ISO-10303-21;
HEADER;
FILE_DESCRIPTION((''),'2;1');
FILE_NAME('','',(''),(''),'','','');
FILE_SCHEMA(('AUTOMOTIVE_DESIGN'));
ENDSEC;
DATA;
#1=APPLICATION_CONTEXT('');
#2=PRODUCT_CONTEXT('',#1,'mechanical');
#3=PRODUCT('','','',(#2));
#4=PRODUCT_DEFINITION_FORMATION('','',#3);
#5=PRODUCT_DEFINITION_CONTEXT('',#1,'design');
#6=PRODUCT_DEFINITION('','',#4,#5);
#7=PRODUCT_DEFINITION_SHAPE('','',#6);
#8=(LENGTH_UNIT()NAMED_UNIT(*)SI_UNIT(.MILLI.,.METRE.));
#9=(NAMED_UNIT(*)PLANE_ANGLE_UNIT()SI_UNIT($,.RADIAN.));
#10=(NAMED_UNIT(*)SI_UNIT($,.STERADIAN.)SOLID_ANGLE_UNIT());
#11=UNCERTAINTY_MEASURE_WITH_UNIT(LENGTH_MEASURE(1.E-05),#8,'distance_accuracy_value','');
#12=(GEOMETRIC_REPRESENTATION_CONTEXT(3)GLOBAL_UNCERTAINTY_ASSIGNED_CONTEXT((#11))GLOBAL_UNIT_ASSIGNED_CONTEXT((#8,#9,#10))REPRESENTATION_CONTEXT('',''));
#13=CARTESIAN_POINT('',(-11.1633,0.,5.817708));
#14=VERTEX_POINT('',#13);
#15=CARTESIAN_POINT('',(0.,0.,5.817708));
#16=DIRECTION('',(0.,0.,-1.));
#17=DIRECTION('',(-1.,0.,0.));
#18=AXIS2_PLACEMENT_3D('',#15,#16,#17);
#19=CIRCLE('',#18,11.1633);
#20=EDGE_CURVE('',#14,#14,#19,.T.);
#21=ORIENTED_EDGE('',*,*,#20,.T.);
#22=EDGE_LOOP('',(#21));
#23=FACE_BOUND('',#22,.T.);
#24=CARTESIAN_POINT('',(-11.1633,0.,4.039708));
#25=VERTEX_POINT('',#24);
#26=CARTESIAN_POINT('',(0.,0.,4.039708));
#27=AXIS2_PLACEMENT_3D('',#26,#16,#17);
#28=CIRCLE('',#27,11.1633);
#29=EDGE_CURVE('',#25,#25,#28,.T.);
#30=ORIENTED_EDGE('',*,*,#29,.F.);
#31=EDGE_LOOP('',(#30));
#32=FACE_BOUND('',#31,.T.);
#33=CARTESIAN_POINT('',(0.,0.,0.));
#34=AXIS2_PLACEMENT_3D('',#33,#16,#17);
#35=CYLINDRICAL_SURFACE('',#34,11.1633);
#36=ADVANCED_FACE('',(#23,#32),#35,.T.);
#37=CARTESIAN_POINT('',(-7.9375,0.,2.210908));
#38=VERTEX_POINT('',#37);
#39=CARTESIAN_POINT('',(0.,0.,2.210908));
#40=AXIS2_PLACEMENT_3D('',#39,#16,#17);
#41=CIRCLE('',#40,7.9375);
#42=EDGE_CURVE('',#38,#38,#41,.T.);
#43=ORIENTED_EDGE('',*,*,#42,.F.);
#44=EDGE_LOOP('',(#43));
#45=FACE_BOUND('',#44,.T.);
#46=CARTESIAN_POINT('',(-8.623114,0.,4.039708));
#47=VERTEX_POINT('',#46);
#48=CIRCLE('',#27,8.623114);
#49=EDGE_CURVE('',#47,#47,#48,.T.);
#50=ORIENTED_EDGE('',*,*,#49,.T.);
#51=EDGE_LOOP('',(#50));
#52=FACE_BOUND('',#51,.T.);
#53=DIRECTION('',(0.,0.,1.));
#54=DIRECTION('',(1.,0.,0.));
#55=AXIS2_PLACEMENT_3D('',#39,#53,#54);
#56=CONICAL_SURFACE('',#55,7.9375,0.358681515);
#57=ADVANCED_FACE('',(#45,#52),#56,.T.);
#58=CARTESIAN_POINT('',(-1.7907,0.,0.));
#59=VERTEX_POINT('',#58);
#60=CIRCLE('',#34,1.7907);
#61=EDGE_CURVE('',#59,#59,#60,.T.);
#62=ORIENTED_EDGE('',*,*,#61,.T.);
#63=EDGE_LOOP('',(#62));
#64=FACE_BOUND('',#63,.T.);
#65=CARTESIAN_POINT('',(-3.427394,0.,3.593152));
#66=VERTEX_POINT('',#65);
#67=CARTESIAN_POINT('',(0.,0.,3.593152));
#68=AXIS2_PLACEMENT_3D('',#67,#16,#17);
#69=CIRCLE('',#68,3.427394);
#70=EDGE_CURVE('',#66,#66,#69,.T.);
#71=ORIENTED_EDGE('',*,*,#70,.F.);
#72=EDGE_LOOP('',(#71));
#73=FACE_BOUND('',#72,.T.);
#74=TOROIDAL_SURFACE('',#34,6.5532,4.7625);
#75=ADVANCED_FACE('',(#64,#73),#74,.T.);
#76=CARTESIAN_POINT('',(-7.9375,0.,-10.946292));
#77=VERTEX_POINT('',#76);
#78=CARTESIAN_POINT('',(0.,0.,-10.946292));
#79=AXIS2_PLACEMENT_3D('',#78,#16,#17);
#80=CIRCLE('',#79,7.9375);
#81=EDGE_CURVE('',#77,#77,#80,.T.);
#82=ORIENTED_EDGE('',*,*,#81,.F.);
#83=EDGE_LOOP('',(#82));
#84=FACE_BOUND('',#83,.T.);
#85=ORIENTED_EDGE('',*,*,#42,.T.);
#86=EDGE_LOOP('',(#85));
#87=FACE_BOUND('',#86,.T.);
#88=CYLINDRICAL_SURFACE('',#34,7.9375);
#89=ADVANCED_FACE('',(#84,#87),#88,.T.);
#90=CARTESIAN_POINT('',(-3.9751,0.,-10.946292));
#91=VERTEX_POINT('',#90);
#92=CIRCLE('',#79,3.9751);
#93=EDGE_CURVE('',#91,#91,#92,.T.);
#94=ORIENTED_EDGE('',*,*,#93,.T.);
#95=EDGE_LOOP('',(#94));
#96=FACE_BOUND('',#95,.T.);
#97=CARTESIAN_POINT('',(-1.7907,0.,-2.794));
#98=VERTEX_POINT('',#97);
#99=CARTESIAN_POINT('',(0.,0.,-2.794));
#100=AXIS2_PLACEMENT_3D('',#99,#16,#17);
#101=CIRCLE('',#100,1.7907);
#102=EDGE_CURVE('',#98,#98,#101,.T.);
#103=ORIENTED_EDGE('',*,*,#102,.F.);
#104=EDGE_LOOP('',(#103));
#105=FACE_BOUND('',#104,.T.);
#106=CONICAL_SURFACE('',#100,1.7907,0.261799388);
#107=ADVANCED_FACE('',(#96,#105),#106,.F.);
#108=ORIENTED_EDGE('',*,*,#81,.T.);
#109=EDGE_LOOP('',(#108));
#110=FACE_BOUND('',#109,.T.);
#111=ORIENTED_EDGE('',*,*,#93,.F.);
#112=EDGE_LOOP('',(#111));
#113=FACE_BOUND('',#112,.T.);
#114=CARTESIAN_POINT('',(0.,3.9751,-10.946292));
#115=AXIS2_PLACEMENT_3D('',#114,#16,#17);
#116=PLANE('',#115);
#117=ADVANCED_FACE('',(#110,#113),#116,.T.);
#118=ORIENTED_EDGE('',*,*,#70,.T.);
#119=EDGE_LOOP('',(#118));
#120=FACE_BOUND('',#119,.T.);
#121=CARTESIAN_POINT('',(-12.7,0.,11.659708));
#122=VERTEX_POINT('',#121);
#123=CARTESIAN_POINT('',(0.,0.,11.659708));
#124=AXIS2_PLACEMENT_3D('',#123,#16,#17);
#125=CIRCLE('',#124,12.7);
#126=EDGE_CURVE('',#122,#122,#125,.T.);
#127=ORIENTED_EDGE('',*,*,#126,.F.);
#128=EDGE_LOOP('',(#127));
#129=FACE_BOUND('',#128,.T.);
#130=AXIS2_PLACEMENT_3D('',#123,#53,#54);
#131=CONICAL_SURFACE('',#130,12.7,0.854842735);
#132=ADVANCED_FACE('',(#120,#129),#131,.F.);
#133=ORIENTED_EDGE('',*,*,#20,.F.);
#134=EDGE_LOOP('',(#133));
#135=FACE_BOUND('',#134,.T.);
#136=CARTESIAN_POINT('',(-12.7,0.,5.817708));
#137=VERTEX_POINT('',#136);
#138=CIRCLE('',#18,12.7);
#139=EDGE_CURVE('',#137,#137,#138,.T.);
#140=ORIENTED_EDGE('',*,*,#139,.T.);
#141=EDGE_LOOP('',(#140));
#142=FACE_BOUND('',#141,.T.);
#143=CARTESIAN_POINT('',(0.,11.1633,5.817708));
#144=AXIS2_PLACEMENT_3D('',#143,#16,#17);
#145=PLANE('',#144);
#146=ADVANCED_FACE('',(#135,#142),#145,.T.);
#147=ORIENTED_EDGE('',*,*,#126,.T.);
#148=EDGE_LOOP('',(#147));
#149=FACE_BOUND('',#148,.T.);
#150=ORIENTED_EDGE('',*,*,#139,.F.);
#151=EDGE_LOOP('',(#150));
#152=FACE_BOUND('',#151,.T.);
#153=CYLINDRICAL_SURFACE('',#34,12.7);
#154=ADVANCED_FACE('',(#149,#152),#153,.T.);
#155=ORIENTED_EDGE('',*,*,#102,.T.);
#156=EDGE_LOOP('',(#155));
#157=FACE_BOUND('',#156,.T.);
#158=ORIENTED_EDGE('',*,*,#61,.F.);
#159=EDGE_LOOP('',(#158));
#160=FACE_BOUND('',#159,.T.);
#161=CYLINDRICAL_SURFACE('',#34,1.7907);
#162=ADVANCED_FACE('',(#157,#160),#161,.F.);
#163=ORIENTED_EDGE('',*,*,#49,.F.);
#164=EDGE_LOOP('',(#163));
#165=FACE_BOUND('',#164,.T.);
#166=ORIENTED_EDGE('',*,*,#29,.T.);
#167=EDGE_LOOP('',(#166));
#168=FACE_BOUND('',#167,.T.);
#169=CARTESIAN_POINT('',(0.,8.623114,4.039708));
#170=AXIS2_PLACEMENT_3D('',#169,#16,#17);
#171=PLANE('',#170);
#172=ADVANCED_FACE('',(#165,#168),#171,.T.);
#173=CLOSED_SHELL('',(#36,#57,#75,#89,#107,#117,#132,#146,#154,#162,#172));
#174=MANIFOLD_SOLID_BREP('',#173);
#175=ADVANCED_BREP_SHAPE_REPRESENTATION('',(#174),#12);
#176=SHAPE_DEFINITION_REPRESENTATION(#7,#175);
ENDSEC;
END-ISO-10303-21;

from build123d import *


with BuildPart() as part:
    # Sketch2 → Revolve1 (revolve)
    with BuildSketch(Plane(origin=(0, 0, 0), x_dir=(0, 0, -1), z_dir=(1, 0, 0))):
        with BuildLine():
            Line((10.946291784, 7.9375), (-2.210908216, 7.9375))
            Line((-2.210908216, 7.9375), (-4.039708216, 8.62311403))
            Line((-4.039708216, 8.62311403), (-4.039708216, 11.1633))
            Line((-4.039708216, 11.1633), (-5.817708216, 11.1633))
            Line((-5.817708216, 11.1633), (-5.817708216, 12.7))
            Line((-5.817708216, 12.7), (-11.659708216, 12.7))
            Line((-11.659708216, 12.7), (-3.593152451, 3.42739423))
            ThreePointArc((-3.593152451, 3.42739423), (-1.974177838, 2.219145534), (0, 1.7907))
            Line((0, 1.7907), (2.794, 1.7907))
            Line((2.794, 1.7907), (10.946291784, 3.9751))
            Line((10.946291784, 3.9751), (10.946291784, 7.9375))
        make_face()
    revolve(axis=Axis((0, 0, 0), (0, 0, 1)))


solid = part.part
